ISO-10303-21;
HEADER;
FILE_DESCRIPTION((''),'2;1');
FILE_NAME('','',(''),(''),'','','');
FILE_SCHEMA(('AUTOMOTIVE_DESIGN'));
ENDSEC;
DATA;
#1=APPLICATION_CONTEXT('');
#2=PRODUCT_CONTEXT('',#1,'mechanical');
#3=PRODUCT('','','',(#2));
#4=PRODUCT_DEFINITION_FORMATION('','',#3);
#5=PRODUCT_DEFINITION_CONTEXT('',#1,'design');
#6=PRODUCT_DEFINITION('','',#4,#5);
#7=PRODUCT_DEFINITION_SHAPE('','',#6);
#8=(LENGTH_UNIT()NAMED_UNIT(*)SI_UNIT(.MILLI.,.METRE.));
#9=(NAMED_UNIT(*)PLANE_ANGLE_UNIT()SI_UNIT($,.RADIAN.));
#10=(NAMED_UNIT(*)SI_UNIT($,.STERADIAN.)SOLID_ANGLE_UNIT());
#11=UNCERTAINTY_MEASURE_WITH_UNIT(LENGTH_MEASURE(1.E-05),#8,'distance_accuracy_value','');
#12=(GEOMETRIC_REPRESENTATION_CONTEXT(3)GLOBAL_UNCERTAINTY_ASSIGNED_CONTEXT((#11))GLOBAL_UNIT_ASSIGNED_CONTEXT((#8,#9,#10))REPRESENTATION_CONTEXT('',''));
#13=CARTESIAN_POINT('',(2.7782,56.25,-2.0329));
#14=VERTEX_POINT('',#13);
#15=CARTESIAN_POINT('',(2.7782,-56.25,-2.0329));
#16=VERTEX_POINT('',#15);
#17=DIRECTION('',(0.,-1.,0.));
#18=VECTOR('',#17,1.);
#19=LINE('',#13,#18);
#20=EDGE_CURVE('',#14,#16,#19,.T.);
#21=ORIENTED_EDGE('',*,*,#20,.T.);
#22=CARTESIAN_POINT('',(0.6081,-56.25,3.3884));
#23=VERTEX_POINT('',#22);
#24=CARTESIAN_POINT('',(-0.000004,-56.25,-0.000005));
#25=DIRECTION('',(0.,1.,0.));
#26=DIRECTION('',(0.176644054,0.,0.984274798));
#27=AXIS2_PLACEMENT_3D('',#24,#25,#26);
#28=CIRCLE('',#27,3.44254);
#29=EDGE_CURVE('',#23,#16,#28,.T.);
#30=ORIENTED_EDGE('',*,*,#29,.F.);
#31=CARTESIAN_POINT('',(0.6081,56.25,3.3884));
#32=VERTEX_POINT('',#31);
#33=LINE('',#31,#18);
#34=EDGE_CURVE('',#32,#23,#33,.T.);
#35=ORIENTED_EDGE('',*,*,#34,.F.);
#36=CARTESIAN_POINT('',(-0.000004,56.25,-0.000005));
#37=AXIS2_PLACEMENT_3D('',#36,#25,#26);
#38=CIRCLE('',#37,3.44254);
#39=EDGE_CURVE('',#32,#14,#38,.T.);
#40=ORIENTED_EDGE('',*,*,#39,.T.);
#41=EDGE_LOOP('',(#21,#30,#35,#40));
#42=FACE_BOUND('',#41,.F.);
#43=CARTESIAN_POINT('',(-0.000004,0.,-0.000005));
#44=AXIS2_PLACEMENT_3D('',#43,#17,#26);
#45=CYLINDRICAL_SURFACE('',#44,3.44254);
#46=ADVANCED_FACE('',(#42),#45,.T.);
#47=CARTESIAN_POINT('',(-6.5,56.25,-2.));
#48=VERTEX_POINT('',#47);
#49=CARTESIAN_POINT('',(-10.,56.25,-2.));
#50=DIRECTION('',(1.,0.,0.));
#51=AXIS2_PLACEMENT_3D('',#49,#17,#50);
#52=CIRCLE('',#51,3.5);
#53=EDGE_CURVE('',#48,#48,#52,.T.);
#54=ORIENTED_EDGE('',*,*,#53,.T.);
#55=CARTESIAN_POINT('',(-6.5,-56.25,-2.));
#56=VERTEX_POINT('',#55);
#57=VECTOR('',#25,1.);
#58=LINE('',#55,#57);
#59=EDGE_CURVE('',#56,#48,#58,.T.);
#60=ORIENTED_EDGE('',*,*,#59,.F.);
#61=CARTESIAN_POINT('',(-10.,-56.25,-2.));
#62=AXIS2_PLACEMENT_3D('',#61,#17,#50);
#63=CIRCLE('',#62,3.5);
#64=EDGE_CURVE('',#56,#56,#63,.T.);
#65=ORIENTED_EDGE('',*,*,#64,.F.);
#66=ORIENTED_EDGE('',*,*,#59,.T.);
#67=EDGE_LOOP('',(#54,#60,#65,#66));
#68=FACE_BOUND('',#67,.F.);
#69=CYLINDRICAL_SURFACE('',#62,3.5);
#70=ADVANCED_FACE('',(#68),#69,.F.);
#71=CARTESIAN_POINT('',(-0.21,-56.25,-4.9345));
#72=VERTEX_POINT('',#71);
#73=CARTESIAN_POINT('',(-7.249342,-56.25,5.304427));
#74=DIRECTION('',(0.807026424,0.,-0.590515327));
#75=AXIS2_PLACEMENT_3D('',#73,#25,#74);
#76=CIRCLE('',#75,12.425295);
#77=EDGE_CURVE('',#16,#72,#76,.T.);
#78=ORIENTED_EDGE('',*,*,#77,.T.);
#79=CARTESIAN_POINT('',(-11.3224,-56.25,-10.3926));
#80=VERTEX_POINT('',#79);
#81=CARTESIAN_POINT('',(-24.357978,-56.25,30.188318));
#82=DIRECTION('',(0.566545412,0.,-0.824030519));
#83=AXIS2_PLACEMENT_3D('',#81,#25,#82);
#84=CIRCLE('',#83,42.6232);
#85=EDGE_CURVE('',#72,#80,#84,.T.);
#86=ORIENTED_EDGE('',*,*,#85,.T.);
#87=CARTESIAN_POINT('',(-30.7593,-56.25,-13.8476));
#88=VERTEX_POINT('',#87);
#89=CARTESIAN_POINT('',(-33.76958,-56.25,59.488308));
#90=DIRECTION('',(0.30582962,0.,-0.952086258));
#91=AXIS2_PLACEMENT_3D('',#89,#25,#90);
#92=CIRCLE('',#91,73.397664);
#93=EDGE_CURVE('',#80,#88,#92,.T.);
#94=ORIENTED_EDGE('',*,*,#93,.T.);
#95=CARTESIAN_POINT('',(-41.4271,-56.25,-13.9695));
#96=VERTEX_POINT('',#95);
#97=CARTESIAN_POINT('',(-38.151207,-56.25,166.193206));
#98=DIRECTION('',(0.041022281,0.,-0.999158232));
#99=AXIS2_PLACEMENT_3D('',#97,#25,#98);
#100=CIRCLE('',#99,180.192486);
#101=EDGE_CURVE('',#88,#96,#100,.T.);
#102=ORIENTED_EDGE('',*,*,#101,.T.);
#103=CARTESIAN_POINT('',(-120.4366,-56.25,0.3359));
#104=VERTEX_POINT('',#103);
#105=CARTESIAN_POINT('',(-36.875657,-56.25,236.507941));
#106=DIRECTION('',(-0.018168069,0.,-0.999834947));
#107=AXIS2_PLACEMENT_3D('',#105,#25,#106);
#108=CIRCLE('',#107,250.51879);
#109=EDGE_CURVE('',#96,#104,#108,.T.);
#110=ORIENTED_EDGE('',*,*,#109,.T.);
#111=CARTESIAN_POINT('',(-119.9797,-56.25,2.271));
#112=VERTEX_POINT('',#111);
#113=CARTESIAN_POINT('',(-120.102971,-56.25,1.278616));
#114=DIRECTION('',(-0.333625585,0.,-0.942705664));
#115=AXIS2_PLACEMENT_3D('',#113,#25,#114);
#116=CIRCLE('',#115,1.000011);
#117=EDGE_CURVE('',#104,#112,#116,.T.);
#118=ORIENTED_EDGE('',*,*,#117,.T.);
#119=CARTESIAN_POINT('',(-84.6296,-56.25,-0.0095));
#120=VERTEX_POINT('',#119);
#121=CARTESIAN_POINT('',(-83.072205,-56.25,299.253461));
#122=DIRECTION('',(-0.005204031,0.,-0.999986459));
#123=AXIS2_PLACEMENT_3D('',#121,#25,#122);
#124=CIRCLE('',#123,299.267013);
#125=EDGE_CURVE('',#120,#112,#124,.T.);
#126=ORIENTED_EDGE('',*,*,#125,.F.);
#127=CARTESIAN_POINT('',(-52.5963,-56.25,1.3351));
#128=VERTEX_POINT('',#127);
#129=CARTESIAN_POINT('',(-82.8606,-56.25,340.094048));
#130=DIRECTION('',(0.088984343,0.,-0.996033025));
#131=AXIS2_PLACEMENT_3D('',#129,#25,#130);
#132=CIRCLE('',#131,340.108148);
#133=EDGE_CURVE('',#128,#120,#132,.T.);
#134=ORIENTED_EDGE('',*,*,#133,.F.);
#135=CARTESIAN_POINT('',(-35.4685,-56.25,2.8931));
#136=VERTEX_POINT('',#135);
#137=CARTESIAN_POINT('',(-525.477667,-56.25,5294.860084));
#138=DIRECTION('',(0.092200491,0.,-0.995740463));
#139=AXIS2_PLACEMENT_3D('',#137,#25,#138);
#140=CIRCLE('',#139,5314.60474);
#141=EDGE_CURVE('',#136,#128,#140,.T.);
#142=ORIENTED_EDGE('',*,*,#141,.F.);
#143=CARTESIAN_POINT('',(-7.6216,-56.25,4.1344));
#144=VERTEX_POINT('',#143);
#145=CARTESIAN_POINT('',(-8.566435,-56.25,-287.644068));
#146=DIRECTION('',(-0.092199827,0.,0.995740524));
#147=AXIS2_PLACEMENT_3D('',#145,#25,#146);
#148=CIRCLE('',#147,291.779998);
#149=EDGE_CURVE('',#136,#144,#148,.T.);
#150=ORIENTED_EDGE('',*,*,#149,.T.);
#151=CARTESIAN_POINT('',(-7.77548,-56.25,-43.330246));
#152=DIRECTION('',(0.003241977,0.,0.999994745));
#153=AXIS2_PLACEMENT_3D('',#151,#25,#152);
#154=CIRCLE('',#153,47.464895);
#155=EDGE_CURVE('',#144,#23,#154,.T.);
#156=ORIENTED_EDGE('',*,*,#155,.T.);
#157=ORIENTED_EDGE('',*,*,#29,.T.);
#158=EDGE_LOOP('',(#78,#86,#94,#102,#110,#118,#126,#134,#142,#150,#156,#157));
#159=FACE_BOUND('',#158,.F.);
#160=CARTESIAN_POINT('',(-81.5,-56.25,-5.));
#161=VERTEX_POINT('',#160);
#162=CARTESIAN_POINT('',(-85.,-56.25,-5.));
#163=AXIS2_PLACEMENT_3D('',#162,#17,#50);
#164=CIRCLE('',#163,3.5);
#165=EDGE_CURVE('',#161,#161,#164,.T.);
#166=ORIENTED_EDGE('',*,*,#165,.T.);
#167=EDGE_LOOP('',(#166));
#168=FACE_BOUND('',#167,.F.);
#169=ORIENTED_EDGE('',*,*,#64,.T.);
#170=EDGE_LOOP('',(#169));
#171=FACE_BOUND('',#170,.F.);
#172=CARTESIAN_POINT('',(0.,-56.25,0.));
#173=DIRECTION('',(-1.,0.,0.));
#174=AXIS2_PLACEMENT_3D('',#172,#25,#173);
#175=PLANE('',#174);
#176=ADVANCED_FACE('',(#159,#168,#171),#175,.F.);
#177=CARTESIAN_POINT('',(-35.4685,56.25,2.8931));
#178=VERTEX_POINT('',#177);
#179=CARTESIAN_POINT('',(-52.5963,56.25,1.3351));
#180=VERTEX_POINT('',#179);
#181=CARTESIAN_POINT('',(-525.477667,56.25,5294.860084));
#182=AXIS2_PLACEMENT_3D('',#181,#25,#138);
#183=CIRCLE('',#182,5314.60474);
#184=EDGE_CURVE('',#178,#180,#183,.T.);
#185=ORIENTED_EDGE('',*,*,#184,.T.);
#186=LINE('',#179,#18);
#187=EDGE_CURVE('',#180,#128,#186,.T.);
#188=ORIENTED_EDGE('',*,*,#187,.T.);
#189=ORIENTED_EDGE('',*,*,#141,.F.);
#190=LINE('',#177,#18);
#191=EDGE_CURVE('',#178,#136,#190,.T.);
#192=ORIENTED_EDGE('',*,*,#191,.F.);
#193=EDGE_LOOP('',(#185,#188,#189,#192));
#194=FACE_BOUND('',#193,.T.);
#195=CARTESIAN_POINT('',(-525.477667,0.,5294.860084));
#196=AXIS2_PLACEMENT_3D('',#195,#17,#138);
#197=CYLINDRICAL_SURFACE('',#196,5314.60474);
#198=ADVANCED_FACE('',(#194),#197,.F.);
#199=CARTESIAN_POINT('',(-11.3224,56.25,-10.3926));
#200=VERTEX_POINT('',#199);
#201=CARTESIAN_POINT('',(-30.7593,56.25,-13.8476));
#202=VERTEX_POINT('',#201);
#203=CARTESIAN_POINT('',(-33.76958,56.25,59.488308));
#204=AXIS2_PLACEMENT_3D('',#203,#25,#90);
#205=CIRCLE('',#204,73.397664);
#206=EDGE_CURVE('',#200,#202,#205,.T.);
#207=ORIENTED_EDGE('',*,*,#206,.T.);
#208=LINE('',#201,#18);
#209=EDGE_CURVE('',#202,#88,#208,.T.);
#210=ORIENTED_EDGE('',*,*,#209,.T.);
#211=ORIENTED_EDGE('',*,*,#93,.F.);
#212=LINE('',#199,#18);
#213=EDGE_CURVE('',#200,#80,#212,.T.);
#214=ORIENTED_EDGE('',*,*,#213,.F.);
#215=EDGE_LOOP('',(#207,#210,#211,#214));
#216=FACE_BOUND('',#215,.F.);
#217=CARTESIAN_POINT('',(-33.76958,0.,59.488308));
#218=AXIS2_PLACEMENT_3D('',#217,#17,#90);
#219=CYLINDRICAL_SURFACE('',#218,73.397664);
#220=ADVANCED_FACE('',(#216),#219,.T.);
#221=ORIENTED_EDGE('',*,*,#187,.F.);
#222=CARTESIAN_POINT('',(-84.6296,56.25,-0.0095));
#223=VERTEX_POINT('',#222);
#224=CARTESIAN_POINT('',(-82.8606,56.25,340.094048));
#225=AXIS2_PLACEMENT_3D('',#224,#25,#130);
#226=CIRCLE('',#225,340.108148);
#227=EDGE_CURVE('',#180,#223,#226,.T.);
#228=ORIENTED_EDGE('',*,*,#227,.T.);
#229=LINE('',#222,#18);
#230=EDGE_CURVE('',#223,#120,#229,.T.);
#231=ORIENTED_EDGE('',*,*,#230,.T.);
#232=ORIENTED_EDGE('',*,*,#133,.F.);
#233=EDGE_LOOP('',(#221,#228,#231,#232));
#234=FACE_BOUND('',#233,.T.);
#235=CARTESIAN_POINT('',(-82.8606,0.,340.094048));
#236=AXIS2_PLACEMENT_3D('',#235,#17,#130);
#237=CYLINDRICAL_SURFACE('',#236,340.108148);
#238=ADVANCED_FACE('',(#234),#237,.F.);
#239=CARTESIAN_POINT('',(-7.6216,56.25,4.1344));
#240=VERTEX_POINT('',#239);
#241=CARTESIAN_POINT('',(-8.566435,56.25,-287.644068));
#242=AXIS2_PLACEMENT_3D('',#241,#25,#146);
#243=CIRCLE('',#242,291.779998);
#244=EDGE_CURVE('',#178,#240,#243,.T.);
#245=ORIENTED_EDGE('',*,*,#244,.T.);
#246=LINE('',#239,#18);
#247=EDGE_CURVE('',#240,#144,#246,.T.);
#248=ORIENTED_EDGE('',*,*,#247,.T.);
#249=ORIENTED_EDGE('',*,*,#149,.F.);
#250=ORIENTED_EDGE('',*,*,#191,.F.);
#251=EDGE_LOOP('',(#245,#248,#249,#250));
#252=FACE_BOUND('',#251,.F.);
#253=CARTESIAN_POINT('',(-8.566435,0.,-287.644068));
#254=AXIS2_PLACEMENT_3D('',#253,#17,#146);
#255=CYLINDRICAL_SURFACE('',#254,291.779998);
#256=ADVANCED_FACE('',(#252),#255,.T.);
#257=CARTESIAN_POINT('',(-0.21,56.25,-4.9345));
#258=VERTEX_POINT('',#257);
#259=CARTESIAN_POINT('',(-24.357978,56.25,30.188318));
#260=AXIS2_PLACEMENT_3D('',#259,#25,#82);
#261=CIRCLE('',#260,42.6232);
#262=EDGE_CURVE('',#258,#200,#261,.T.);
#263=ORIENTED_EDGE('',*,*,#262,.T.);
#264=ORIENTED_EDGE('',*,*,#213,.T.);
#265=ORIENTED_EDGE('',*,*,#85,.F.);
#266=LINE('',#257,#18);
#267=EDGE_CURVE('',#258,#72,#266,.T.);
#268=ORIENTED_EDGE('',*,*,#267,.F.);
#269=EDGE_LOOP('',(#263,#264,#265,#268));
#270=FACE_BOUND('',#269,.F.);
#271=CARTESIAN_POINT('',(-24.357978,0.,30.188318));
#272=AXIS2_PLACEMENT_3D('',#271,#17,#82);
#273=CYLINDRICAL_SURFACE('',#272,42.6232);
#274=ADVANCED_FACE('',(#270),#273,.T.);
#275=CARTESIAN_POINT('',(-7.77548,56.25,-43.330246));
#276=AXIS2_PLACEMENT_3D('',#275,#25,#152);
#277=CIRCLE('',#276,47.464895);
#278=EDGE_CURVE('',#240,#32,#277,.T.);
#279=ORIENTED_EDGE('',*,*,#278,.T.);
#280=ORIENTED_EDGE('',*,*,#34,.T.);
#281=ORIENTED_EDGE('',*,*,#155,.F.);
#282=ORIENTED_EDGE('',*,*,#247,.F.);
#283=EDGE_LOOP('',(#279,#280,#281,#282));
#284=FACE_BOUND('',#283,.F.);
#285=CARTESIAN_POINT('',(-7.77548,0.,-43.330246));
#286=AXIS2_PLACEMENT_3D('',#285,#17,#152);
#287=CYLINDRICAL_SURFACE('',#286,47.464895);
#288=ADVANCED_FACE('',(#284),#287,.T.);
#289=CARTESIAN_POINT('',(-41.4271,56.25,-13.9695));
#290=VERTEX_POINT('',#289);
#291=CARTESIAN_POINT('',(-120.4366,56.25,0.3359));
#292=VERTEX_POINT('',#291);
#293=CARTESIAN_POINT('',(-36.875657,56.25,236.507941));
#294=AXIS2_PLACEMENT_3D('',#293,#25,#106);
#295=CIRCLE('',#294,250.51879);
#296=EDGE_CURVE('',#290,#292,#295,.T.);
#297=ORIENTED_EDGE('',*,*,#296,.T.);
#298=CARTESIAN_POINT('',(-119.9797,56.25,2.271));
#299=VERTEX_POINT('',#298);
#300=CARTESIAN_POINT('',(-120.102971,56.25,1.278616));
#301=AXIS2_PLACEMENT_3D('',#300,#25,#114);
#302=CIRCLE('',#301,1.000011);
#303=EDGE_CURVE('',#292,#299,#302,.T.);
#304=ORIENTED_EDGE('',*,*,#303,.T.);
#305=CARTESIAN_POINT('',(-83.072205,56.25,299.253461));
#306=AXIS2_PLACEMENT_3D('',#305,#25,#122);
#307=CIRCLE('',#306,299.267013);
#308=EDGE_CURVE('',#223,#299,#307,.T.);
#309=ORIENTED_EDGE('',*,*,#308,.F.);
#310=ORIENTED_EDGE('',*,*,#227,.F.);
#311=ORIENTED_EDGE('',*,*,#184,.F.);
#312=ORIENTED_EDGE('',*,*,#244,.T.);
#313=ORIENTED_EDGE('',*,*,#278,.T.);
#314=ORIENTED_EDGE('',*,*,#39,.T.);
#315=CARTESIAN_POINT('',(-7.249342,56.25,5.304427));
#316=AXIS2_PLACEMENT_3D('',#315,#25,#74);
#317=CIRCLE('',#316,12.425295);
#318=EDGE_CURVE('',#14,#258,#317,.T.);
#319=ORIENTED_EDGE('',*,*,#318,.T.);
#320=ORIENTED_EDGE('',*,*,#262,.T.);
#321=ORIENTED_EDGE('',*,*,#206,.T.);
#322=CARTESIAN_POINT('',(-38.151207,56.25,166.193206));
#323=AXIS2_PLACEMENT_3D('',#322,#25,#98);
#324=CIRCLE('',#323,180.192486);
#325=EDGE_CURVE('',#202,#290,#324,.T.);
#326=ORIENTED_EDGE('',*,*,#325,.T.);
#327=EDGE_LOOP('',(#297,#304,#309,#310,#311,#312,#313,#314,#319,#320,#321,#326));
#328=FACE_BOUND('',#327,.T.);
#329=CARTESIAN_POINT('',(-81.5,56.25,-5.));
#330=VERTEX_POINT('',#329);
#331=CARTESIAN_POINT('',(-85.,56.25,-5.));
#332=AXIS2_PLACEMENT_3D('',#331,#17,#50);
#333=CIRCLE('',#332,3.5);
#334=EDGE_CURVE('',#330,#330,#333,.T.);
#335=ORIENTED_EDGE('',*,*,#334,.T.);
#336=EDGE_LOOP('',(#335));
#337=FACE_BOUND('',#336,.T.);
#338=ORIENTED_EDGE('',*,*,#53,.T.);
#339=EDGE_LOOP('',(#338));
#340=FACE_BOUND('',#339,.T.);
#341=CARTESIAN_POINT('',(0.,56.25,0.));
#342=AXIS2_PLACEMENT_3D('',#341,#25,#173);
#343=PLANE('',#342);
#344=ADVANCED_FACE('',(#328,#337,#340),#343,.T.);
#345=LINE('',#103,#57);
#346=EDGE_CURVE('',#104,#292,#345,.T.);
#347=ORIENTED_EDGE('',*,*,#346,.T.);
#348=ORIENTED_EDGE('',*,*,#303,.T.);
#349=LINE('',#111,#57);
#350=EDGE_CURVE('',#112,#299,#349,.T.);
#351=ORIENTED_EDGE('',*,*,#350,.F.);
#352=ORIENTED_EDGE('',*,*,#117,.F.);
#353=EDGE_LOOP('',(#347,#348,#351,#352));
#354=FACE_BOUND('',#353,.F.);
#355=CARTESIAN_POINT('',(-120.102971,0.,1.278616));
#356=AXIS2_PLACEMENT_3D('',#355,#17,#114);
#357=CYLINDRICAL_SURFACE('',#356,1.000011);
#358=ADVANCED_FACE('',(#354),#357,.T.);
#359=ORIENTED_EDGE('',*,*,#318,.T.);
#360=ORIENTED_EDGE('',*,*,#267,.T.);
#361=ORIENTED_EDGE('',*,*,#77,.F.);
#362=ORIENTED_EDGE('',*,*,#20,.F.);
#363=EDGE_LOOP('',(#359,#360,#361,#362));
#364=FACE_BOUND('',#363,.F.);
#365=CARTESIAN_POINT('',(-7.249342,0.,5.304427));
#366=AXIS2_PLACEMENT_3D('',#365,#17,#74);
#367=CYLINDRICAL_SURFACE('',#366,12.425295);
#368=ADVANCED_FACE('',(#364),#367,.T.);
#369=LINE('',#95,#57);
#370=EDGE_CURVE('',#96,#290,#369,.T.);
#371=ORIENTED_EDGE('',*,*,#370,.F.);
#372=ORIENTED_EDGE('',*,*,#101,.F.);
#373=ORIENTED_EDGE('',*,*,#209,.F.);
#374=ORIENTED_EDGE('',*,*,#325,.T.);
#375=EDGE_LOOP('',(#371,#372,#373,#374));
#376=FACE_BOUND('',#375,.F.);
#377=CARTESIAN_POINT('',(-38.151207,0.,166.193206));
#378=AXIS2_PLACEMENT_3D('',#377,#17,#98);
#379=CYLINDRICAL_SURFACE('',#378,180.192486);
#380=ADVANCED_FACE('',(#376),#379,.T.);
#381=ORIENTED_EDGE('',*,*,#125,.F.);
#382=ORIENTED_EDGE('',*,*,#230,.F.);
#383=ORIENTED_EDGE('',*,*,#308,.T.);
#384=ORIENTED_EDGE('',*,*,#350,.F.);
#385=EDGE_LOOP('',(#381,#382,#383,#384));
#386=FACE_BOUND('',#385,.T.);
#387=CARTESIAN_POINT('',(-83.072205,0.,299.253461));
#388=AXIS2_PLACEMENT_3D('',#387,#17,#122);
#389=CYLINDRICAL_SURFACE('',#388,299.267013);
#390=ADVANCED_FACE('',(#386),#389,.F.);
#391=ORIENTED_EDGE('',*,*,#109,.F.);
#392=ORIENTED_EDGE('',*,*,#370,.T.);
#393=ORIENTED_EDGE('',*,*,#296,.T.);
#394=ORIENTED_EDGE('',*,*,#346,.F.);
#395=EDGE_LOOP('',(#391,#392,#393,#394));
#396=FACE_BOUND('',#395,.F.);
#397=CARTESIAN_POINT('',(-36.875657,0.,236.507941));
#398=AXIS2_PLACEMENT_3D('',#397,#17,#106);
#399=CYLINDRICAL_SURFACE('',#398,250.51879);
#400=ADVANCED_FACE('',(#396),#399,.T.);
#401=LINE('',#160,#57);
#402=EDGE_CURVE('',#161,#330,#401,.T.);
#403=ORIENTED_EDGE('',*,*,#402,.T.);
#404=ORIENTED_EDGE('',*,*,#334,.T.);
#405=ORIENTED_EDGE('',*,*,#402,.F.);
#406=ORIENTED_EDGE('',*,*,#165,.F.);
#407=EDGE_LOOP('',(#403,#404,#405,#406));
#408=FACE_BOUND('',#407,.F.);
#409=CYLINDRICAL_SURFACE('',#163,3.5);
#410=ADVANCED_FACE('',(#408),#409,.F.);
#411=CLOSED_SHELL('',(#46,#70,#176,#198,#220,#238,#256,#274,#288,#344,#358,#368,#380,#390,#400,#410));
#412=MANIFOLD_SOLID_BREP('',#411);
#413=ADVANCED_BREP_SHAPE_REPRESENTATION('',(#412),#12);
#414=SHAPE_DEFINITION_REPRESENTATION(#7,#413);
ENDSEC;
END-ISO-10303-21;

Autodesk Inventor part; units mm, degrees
ref_plane "YZ Plane" through (0, 0, 0) normal (1, 0, 0) x (0, 1, 0)
ref_plane "XZ Plane" through (0, 0, 0) normal (0, 1, 0) x (-1, 0, 0)
ref_plane "XY Plane" through (0, 0, 0) normal (0, 0, 1) x (1, 0, 0)
sketch "スケッチ1" plane through (0, 0, 0) normal (0, 1, 0) x (-1, 0, 0)
  arc A0 (41.4271, -13.9695) -> (120.4366, 0.3359) centre (36.8758, 236.5065) ccw projected
  arc A1 (30.7593, -13.8476) -> (41.4271, -13.9695) centre (38.1525, 166.2425) ccw projected
  arc A2 (11.3224, -10.3926) -> (30.7593, -13.8476) centre (33.77, 59.49) ccw projected
  arc A3 (0.21, -4.9345) -> (11.3224, -10.3926) centre (24.3575, 30.1875) ccw projected
  arc A4 (-2.7782, -2.0329) -> (0.21, -4.9345) centre (7.25, 5.305) ccw projected
  arc A5 (-0.6081, 3.3884) -> (-2.7782, -2.0329) centre (0, 0) ccw projected
  arc A6 (7.6216, 4.1344) -> (-0.6081, 3.3884) centre (7.775, -43.32) ccw projected
  arc A7 (35.4685, 2.8931) -> (7.6216, 4.1344) centre (8.565, -287.665) ccw projected
  arc A8 (35.4685, 2.8931) -> (52.5963, 1.3351) centre (526.9475, 5310.875) ccw projected
  arc A9 (52.5963, 1.3351) -> (84.6296, -0.0095) centre (82.86, 340.0849) ccw projected
  arc A10 (84.6296, -0.0095) -> (119.9797, 2.271) centre (83.0725, 299.245) ccw projected
  arc A11 (120.4366, 0.3359) -> (119.9797, 2.271) centre (120.103, 1.2786) ccw projected
  circle A12 centre (10, -2) radius 3 projected
  circle A13 centre (85, -5) radius 3 projected
extrude "押し出し1" add sketch "スケッチ1" along normal mid plane 112.5
sketch "スケッチ2" plane through (0, -56.25, 0) normal (0, -1, 0) x (1, 0, 0)
  circle A0 centre (-10, -2) radius 3 projected
  circle A1 centre (-85, -5) radius 3 projected
  circle A2 centre (-85, -5) radius 3.5
  circle A3 centre (-10, -2) radius 3.5
  point P0 (0, 0)
  dimension "d3" = 0.5
  dimension "d4" = 0.5
extrude "押し出し2" cut sketch "スケッチ2" against normal blind 112.5
